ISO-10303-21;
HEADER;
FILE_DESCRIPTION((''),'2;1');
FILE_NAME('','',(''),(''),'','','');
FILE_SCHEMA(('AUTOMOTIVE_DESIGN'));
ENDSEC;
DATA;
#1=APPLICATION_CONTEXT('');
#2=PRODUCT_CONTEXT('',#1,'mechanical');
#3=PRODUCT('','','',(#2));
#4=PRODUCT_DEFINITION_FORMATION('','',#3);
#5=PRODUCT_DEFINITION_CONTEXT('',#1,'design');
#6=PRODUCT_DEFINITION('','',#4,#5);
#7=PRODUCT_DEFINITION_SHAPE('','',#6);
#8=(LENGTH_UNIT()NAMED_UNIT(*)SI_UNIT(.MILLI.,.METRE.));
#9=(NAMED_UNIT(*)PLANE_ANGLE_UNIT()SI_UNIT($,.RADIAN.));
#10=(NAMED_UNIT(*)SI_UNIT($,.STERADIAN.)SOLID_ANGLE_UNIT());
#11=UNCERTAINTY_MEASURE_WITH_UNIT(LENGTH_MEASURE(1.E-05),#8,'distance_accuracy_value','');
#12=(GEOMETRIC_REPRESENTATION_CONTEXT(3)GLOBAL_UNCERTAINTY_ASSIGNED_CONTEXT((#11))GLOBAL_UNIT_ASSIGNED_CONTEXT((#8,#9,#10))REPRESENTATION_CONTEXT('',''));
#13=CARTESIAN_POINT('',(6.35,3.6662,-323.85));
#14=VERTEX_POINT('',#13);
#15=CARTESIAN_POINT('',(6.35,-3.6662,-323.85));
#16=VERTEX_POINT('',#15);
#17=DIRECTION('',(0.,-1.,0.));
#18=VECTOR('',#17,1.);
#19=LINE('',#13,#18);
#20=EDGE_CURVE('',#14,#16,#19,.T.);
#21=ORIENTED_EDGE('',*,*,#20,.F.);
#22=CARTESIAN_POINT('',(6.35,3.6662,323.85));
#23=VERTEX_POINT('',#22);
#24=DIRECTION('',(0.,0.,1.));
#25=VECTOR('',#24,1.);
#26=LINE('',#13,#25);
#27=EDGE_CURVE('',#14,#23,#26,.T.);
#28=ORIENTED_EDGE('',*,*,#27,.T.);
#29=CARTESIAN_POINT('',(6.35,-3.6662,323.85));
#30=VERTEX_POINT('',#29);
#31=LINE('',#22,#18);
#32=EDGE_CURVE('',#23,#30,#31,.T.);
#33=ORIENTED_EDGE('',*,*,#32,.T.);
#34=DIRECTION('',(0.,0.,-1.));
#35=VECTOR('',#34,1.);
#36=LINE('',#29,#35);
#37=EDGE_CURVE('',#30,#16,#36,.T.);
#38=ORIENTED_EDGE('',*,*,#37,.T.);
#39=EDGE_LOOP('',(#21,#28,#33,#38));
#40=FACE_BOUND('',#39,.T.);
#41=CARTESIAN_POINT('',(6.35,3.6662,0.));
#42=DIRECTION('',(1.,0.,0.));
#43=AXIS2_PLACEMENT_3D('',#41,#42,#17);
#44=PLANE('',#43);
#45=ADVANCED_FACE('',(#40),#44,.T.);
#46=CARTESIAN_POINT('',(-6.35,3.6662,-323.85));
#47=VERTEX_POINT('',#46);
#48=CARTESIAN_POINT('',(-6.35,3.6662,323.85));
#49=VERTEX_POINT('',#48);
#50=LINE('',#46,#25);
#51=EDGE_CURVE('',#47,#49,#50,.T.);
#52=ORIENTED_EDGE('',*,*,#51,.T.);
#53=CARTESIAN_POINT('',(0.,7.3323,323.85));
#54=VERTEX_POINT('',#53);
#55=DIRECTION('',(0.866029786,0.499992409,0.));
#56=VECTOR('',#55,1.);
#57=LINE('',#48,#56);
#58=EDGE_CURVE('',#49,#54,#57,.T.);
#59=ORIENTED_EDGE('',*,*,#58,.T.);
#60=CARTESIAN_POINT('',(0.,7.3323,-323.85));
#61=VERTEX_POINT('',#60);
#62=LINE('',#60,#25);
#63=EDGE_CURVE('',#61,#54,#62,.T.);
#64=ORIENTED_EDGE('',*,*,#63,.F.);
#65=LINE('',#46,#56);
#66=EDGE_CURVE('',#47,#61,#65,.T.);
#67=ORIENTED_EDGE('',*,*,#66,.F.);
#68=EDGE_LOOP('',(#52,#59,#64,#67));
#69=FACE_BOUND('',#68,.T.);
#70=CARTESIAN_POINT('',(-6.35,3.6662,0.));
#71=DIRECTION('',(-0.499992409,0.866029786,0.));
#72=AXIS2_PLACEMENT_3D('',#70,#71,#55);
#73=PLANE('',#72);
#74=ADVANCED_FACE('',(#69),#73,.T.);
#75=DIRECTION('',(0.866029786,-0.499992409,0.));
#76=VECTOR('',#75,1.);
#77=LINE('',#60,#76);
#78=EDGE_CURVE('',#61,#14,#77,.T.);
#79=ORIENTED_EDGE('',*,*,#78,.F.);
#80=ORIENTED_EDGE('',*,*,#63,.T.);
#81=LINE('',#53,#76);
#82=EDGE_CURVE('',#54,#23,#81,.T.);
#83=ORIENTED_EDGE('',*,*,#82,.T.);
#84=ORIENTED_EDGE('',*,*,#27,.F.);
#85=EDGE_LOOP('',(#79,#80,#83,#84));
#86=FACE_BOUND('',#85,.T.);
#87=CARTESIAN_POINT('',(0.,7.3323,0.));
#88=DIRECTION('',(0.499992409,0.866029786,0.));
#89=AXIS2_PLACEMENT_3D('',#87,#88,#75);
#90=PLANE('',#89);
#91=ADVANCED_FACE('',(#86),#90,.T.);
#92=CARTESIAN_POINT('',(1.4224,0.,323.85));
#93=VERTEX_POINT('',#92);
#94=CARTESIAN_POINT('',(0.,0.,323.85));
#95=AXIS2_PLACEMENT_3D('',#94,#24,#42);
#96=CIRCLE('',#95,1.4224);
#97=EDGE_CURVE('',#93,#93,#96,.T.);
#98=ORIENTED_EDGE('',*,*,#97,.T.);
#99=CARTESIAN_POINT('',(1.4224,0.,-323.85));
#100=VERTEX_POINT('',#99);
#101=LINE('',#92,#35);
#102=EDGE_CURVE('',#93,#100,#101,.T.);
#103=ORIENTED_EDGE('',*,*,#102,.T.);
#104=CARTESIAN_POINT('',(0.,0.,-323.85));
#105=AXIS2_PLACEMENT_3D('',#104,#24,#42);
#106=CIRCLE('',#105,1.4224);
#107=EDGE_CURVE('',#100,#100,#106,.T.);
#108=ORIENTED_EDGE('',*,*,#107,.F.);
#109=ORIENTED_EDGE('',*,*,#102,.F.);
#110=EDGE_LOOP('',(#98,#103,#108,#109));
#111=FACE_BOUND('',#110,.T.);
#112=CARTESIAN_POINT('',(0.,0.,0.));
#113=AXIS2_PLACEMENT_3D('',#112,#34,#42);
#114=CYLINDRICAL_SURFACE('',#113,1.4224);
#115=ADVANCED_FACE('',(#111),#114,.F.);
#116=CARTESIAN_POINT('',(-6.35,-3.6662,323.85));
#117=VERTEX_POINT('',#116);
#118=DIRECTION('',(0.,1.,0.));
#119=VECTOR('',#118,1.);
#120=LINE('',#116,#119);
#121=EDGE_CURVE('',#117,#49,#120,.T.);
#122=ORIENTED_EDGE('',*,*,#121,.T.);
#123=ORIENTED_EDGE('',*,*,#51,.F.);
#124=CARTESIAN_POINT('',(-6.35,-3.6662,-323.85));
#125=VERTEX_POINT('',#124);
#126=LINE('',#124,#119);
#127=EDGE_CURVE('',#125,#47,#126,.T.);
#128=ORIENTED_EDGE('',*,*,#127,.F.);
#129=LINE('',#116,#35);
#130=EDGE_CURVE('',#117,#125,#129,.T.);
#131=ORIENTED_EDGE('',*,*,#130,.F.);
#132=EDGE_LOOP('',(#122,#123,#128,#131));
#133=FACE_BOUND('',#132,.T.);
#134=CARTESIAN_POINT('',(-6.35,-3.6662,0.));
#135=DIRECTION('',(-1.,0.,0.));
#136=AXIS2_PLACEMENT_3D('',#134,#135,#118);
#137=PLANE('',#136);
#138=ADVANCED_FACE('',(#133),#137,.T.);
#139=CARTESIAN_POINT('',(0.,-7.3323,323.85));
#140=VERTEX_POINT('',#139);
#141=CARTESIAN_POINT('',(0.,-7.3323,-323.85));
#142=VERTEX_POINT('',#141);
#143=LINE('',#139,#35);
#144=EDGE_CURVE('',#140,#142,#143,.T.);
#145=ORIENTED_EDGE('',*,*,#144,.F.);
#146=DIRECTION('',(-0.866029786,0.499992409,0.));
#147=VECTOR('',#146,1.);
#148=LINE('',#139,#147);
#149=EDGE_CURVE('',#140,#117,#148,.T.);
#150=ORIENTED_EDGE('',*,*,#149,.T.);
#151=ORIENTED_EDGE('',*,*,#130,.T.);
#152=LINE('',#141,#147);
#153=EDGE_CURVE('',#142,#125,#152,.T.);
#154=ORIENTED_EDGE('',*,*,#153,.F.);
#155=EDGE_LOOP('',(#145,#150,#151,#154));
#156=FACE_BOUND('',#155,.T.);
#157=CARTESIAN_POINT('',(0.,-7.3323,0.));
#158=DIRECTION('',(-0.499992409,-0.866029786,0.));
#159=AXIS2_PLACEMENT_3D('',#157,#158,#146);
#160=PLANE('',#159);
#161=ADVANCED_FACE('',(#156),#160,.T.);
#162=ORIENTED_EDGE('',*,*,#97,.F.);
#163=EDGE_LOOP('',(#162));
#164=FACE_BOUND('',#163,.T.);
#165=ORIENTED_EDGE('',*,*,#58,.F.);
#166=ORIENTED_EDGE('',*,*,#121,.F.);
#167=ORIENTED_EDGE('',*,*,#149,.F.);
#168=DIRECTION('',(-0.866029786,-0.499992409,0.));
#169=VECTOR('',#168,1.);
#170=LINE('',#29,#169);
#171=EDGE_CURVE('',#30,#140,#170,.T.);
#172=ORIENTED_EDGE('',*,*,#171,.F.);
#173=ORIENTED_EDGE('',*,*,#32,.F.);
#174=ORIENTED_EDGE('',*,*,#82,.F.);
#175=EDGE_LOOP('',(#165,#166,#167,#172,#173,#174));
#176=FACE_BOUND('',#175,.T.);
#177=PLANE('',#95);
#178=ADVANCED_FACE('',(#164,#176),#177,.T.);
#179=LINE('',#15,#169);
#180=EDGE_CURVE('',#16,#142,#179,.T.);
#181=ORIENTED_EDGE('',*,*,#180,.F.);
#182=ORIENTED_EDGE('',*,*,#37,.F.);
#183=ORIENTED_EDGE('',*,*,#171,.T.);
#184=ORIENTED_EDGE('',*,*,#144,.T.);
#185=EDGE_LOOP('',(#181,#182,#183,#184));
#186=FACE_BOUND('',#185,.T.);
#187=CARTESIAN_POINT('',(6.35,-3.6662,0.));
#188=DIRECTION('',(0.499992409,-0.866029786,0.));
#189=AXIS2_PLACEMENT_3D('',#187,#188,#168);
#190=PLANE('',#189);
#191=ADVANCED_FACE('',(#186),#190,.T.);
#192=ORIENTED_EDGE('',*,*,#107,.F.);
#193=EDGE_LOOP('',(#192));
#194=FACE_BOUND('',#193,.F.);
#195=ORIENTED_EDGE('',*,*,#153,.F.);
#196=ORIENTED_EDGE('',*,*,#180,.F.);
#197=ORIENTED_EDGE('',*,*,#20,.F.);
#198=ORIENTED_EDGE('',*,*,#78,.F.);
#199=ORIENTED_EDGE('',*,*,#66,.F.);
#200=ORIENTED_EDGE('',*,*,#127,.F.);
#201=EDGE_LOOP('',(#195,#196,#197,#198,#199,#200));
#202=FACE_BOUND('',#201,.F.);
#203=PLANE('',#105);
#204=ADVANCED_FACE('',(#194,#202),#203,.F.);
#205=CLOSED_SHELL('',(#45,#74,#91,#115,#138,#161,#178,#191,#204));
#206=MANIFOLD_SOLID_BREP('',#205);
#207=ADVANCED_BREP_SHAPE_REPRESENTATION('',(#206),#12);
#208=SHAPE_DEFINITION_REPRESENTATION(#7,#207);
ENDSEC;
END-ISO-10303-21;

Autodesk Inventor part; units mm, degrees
ref_plane "YZ Plane" through (0, 0, 0) normal (1, 0, 0) x (0, 1, 0)
ref_plane "XZ Plane" through (0, 0, 0) normal (0, 1, 0) x (-1, 0, 0)
ref_plane "XY Plane" through (0, 0, 0) normal (0, 0, 1) x (1, 0, 0)
sketch "Sketch1" plane through (0, 0, 0) normal (0, 0, 1) x (1, 0, 0)
  line L0 (6.35, 3.6662) -> (6.35, -3.6662)
  line L1 (6.35, -3.6662) -> (0, -7.3323)
  line L2 (0, -7.3323) -> (-6.35, -3.6662)
  line L3 (-6.35, -3.6662) -> (-6.35, 3.6662)
  line L4 (-6.35, 3.6662) -> (0, 7.3323)
  line L5 (0, 7.3323) -> (6.35, 3.6662)
  circle A0 centre (0, 0) radius 1.4224
  dimension "d0" = 12.7
  dimension "d3" = 2.8448
extrude "Extrusion1" add sketch "Sketch1" along normal mid plane 647.7
properties part number "FRONT,HEX,INTAKE" material "Aluminum 6061"
